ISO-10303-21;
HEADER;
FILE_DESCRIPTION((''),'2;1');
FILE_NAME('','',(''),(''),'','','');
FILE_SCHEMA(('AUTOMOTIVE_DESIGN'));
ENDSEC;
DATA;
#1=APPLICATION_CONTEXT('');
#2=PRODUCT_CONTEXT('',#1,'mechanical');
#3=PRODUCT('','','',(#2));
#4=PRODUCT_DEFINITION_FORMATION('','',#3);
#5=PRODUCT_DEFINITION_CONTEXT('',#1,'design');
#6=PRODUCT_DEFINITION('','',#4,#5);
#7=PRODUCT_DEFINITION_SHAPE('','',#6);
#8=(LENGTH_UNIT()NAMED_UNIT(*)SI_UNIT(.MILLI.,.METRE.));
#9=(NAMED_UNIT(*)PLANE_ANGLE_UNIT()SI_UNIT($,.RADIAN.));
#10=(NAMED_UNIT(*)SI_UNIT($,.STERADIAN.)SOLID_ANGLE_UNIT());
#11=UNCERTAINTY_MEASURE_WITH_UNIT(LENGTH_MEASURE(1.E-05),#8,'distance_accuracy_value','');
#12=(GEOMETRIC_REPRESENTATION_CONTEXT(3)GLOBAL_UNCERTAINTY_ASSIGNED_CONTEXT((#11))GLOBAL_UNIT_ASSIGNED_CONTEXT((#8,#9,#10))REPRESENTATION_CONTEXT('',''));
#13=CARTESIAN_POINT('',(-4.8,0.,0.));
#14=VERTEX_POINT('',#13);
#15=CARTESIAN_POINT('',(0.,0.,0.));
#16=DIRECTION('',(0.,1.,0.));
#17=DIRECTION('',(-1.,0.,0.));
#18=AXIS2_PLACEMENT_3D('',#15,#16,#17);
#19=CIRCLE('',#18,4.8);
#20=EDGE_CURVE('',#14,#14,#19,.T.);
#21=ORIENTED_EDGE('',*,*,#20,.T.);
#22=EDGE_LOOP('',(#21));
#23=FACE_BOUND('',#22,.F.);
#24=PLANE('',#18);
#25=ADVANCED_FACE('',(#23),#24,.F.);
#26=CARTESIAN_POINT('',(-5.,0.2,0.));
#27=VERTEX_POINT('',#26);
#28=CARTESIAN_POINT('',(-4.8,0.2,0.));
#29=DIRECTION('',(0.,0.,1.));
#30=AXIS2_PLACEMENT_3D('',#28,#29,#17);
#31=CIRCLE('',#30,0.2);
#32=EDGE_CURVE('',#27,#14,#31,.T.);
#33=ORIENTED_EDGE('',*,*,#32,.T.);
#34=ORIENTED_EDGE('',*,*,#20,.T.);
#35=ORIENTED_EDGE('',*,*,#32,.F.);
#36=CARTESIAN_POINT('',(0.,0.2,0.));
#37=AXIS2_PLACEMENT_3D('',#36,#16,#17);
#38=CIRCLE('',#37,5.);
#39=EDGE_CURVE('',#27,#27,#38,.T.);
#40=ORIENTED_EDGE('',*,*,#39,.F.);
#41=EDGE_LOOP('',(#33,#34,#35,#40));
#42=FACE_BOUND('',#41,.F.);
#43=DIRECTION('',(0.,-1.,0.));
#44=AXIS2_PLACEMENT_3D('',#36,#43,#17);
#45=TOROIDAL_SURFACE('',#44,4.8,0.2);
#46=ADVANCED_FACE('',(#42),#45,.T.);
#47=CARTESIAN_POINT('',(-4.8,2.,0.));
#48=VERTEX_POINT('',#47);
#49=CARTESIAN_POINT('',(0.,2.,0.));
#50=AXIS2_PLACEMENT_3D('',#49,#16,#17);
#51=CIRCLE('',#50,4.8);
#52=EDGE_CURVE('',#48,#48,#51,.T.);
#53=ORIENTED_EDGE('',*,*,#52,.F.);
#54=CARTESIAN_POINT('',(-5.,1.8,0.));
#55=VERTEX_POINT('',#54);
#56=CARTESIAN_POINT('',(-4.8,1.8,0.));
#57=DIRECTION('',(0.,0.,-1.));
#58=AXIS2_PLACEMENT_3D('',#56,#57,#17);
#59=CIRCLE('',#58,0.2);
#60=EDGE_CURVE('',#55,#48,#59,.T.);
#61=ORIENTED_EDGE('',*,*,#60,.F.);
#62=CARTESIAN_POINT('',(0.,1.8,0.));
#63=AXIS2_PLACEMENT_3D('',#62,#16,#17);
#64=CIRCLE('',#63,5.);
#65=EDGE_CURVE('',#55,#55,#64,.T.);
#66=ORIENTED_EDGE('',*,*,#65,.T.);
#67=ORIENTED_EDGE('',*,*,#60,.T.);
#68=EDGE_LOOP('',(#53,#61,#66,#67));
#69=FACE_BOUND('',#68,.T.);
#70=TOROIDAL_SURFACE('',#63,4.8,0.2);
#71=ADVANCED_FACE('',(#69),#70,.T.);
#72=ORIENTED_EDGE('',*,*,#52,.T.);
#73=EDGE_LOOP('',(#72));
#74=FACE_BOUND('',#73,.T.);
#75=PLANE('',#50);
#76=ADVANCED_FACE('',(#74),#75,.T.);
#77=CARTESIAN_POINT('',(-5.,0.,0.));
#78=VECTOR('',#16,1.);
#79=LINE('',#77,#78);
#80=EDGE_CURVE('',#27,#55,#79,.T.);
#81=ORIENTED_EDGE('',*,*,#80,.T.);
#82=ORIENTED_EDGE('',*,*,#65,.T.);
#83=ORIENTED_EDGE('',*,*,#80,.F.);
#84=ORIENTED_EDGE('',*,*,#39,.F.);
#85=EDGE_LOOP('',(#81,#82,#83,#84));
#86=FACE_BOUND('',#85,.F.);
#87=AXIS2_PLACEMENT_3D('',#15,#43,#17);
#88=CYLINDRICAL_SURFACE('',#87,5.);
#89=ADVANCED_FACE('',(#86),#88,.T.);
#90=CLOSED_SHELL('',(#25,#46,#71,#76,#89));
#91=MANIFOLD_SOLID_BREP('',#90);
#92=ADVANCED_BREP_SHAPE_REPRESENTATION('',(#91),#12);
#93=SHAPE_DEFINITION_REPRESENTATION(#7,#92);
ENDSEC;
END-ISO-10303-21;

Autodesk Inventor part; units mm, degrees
ref_plane "YZ Plane" through (0, 0, 0) normal (1, 0, 0) x (0, 1, 0)
ref_plane "XZ Plane" through (0, 0, 0) normal (0, 1, 0) x (-1, 0, 0)
ref_plane "XY Plane" through (0, 0, 0) normal (0, 0, 1) x (1, 0, 0)
sketch "Sketch1" plane through (0, 0, 0) normal (0, 1, 0) x (-1, 0, 0)
  circle A0 centre (0, 0) radius 5
  dimension "d0" = 10
extrude "Extrusion1" add sketch "Sketch1" along normal blind 2
fillet "Fillet1" radius 0.2 2 edges at (5, 0, 0) (5, 2, 0)
properties part number "Generic Neodynium Magnet 10mm diameter 2mm height" material "Steel, Alloy"
